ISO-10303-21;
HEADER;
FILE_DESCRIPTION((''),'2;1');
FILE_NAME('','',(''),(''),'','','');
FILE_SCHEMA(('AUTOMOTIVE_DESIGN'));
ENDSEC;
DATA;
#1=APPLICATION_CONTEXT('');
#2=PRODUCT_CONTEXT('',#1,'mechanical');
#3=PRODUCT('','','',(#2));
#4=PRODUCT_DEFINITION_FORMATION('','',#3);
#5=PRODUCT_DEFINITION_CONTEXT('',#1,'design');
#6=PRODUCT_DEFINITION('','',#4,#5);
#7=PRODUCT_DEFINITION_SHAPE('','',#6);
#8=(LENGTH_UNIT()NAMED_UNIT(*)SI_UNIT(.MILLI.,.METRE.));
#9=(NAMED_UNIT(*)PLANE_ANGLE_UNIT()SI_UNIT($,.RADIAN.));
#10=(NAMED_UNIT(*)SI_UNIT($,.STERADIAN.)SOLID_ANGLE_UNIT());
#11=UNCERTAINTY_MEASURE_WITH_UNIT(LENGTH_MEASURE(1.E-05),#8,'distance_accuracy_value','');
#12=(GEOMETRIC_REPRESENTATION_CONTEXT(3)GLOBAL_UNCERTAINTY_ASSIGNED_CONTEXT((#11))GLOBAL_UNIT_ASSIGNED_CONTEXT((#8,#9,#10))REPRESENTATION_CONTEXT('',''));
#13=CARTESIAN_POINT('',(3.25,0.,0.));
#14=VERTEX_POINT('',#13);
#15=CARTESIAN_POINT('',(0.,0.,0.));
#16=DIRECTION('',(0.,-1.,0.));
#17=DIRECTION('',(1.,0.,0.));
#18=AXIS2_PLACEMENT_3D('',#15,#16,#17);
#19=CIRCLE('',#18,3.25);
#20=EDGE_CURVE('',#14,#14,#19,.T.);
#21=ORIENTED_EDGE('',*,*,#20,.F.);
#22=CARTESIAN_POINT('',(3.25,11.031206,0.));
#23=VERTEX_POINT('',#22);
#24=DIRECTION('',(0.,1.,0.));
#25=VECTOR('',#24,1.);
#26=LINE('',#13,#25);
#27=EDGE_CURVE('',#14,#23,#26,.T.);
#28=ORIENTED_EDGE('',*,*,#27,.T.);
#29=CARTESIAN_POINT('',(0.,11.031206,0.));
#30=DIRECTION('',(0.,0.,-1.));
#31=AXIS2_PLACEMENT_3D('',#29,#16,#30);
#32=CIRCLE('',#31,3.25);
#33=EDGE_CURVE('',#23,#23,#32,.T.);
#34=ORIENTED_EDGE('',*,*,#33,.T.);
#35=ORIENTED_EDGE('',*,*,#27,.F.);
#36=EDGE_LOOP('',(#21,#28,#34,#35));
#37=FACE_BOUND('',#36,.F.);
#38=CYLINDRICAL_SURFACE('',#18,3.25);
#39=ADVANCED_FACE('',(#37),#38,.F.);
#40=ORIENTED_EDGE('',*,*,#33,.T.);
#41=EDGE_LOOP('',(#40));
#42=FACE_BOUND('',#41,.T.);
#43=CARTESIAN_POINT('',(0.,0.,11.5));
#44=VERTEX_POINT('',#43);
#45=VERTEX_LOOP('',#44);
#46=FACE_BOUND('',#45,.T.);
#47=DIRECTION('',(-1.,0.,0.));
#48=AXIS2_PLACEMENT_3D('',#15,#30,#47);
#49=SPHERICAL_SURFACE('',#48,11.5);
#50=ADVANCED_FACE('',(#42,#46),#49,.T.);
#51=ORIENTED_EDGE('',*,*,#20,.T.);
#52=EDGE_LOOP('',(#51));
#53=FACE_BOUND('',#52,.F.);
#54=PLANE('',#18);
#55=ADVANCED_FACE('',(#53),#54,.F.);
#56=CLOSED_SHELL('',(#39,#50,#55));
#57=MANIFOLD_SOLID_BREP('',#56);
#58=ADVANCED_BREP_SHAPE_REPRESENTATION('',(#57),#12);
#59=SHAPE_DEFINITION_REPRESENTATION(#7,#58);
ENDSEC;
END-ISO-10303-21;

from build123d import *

# Parameters (mm, degrees)
F3_D     = 6.5
F3_DEPTH = 11.5
F3_TIP   = 1.9527970118


with BuildPart() as f1:
    # F0 (on Front) → F1 (revolve)
    with BuildSketch(Plane.XZ):
        with BuildLine():
            Line((0, -11.5), (0, 11.5))
            ThreePointArc((0, 11.5), (-11.5, 0), (0, -11.5))
        make_face()
    revolve(axis=Axis((0, 0, 0), (0, 0, -1)))

    # F3 (one way)
    with BuildSketch(Plane.XZ):
        with Locations((0, 0)):
            Circle(F3_D / 2)
    extrude(amount=-F3_DEPTH, mode=Mode.SUBTRACT)
    with Locations(Plane.XZ):
        with Locations((0, 0)):
            with Locations((0, 0, -(F3_DEPTH + F3_TIP / 2))):  # 118° drill point
                Cone(0, F3_D / 2, F3_TIP, mode=Mode.SUBTRACT)


solid = f1.part
